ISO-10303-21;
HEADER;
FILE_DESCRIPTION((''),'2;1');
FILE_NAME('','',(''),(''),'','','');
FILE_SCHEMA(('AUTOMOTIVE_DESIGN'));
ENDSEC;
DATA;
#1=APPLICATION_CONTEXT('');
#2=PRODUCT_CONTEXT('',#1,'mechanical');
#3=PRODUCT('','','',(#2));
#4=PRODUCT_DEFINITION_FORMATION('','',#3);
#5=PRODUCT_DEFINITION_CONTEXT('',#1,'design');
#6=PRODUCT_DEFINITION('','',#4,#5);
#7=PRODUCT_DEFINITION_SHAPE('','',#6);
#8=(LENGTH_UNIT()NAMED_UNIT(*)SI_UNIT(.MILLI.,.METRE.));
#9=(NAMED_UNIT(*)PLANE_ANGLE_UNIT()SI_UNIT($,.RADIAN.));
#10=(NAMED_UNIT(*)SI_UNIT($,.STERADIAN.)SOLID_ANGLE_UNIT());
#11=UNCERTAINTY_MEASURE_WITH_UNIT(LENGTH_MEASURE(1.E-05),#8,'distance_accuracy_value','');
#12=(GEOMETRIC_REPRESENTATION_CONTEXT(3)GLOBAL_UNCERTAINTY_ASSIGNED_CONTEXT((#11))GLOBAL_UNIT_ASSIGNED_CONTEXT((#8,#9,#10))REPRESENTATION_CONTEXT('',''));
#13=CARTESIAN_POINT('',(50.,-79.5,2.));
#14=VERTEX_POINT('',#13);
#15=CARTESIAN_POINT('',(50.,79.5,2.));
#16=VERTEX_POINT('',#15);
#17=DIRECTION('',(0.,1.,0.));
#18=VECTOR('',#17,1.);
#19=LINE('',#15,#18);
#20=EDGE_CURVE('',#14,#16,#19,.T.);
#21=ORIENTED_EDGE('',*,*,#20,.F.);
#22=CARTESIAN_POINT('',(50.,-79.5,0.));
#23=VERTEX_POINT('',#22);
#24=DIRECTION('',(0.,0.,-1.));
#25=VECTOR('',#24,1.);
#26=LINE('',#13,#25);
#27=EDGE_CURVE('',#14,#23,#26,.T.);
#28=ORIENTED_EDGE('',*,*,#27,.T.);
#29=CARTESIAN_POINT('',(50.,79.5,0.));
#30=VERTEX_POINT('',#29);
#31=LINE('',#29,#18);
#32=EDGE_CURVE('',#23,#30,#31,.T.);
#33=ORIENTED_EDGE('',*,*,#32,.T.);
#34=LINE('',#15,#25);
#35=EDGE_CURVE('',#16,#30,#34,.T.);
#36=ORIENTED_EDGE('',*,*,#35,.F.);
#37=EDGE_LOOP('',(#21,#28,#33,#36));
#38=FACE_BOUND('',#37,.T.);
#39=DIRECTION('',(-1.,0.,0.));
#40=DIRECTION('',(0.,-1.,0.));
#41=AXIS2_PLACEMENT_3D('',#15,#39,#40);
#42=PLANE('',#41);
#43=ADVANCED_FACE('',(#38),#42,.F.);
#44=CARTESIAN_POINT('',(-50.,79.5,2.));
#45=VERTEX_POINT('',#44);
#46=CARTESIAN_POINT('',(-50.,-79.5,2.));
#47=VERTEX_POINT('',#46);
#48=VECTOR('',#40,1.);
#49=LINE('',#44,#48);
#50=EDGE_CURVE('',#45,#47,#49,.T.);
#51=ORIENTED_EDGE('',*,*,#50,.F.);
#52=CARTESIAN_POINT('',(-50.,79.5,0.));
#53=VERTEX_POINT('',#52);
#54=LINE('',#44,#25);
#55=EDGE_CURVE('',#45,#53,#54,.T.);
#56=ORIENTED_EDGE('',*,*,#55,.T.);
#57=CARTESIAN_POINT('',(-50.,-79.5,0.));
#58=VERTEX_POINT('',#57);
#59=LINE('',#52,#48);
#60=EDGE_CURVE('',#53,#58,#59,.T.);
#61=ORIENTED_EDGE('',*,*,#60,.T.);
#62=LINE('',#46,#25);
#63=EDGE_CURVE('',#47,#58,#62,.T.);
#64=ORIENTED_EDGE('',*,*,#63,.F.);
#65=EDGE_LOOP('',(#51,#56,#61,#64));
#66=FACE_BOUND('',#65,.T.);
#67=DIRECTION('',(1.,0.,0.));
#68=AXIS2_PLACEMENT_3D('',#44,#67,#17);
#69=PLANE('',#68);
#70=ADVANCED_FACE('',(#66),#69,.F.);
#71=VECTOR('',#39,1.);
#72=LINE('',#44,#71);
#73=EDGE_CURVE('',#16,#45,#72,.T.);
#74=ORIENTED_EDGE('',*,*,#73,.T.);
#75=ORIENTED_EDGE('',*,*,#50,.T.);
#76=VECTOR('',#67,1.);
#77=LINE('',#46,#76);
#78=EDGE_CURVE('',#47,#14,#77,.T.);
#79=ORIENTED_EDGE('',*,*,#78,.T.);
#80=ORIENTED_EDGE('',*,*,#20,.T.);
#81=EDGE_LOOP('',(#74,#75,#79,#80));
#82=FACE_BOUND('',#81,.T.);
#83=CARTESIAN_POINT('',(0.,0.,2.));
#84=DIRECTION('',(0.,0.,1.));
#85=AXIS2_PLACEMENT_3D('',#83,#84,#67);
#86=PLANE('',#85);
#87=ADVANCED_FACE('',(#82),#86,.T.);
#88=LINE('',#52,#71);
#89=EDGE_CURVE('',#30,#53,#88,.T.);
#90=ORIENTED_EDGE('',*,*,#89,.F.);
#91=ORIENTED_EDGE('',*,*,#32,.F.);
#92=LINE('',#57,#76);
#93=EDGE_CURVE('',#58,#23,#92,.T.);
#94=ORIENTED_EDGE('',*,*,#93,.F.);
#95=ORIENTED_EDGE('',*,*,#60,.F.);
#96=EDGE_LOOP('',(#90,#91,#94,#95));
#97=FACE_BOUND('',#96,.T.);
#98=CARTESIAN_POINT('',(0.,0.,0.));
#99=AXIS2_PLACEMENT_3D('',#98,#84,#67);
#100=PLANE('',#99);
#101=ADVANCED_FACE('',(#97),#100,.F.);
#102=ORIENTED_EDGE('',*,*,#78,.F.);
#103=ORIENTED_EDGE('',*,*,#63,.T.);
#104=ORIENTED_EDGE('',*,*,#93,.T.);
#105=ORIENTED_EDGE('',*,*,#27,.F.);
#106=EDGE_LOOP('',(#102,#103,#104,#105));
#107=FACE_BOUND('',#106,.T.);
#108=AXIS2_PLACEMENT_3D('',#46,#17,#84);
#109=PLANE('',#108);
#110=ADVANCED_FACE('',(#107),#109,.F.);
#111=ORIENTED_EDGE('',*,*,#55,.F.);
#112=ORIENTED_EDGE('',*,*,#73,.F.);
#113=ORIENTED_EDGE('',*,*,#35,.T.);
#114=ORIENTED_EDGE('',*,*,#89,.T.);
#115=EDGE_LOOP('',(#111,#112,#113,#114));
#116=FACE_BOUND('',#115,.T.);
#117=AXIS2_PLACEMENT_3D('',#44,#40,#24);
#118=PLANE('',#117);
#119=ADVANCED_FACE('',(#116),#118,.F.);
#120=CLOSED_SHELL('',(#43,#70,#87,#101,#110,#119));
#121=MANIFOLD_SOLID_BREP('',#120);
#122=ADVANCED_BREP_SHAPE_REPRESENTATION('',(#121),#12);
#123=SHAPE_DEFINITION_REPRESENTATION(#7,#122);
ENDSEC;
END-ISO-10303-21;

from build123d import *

# Parameters (mm, degrees)
ESQUISSE1_W        = 100
ESQUISSE1_H        = 159
BOSS_EXTRU_1_DEPTH = 2


with BuildPart() as part:
    # Esquisse1 → Boss.-Extru.1 (new body)
    with BuildSketch(Plane.XY):
        Rectangle(ESQUISSE1_W, ESQUISSE1_H)
    extrude(amount=BOSS_EXTRU_1_DEPTH)


solid = part.part
